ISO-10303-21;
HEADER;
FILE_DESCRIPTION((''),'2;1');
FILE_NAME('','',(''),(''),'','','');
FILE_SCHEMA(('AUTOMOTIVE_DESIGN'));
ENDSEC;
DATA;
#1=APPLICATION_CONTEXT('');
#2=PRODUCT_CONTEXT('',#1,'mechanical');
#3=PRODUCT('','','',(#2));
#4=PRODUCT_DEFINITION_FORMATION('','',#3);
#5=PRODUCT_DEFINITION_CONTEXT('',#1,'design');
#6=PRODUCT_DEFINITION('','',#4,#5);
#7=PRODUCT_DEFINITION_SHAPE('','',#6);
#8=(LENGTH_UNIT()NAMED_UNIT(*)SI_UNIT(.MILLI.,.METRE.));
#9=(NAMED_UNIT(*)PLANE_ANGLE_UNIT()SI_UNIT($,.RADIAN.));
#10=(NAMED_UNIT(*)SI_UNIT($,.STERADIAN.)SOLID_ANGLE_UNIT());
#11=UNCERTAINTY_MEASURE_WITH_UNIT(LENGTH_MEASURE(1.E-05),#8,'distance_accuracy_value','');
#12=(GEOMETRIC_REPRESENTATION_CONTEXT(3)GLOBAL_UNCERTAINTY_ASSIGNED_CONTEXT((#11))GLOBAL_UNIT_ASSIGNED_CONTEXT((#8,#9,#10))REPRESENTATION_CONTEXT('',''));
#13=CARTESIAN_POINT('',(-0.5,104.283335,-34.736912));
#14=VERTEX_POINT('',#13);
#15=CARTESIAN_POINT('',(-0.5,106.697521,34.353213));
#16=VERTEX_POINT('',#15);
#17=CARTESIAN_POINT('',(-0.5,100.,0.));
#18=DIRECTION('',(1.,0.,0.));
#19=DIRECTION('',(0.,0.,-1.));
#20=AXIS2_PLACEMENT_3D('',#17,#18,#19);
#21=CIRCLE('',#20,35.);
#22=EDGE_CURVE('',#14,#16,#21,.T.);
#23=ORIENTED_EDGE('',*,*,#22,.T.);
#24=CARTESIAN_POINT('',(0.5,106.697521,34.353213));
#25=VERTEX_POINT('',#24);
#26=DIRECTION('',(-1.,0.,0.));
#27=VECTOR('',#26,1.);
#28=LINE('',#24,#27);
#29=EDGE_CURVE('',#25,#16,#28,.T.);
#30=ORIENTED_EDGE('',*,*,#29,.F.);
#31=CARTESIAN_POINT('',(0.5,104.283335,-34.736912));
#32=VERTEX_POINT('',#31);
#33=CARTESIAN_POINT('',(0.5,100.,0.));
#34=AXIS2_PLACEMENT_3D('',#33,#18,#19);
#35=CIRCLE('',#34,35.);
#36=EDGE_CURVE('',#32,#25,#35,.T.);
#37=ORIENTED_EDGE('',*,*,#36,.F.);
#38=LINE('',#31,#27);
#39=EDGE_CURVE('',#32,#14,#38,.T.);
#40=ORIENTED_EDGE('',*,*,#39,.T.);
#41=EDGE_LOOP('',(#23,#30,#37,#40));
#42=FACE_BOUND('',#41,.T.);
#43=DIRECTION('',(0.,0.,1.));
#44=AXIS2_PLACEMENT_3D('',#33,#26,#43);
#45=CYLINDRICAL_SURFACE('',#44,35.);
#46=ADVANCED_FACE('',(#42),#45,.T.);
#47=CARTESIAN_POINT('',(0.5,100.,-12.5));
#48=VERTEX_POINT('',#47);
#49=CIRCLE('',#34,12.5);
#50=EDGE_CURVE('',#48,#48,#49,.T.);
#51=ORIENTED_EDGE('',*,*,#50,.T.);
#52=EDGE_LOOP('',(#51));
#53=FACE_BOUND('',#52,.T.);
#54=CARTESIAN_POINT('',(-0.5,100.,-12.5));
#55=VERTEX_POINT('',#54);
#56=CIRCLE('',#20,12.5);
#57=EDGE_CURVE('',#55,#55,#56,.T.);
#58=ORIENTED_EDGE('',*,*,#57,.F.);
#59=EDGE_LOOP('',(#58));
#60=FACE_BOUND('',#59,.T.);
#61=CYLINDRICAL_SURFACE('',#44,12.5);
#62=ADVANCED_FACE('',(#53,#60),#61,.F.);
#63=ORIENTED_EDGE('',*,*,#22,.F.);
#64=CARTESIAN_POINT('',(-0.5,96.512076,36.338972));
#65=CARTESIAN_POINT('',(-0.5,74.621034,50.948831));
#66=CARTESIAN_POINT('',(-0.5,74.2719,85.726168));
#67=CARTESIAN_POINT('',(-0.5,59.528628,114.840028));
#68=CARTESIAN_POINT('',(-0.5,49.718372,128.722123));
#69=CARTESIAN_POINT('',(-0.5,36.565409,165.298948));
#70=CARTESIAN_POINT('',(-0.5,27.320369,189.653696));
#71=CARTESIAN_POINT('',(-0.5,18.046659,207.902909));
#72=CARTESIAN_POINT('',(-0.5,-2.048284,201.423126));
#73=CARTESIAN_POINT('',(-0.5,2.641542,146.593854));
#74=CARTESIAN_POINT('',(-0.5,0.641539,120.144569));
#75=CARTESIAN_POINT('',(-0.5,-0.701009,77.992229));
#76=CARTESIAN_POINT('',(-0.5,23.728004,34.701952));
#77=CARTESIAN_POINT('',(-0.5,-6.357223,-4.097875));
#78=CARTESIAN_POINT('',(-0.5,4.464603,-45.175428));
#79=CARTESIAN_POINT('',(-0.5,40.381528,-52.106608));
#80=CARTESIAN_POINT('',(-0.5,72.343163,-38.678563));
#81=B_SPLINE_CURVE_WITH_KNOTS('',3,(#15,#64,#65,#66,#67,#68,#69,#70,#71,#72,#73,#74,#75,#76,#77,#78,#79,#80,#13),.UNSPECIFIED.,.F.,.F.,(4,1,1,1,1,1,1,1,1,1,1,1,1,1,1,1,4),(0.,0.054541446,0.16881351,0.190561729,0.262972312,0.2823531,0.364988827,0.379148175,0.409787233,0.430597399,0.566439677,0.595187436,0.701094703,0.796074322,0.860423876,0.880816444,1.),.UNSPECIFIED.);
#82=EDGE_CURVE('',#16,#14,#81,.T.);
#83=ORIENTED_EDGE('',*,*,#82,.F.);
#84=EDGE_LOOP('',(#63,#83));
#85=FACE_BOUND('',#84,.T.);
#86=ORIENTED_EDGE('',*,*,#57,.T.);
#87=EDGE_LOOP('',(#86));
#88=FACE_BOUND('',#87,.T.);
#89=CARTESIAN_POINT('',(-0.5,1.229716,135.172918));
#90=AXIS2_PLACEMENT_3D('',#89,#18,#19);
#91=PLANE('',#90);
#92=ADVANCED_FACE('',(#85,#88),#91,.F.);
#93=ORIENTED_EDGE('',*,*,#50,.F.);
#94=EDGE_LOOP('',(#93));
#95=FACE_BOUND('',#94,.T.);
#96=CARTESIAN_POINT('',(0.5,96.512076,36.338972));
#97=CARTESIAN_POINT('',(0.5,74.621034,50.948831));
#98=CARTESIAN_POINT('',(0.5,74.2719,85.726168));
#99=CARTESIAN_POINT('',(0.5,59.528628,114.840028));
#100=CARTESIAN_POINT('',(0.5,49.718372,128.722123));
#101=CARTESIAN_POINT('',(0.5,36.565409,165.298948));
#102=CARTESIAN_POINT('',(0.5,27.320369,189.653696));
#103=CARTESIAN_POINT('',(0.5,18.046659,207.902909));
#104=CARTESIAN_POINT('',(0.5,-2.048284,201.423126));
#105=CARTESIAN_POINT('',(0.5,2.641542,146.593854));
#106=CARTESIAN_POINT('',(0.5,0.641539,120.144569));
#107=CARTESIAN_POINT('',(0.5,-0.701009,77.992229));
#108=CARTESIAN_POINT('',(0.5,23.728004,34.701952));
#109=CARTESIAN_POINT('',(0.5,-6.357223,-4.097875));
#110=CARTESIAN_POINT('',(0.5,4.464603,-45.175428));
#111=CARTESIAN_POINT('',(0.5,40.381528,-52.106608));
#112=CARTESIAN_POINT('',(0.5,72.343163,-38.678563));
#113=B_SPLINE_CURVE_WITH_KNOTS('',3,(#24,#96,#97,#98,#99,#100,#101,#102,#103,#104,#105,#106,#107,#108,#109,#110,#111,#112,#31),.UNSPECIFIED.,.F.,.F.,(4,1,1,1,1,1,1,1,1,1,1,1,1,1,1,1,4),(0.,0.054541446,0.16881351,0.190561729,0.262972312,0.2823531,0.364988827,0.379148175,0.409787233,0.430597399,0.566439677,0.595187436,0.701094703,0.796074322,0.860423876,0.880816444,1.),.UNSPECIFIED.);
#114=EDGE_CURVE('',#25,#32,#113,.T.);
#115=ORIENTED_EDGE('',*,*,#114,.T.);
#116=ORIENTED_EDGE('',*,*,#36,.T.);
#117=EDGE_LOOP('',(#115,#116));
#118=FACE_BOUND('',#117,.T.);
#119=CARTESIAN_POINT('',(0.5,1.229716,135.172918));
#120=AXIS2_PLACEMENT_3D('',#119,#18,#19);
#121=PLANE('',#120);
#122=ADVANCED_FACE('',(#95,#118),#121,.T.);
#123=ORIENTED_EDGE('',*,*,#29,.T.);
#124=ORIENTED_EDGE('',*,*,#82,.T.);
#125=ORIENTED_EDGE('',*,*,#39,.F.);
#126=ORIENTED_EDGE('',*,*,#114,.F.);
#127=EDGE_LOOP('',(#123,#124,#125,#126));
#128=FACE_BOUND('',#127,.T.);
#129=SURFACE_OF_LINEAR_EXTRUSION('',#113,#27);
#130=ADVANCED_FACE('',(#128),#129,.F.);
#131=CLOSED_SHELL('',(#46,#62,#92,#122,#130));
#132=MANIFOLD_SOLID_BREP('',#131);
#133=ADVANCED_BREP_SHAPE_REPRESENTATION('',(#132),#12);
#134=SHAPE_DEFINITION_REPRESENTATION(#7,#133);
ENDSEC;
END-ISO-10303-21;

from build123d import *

# Parameters (mm, degrees)
SKETCH3_R      = 12.5
EXTRUDE1_DEPTH = 0.5


with BuildPart() as part:
    # Sketch3 → Extrude1 (new, symmetric)
    with BuildSketch(Plane(origin=(0, 0, 0), x_dir=(0, 0, -1), z_dir=(1, 0, 0))):
        with BuildLine():
            ThreePointArc((34.73691178, 104.283335151), (1.222243483, 134.978652359), (-34.353212623, 106.697520622))
            add(Edge.make_bspline(
                [(-34.353212623, 106.697520622), (-36.338972358, 96.512075849), (-50.948831396, 74.621034336), (-85.726167749, 74.271899833), (-114.840028166, 59.528628021), (-128.722122798, 49.71837198), (-165.298947788, 36.565409182), (-189.653696471, 27.320369224), (-207.902909488, 18.046659206), (-201.423126117, -2.048283715), (-146.593854224, 2.641541989), (-120.144568988, 0.641539371), (-77.992228934, -0.701008571), (-34.701952194, 23.728004024), (4.097875112, -6.357223424), (45.175428135, 4.464602831), (52.106608396, 40.381527834), (38.678563253, 72.343162646), (34.73691178, 104.283335151)],
                knots=[0, 0, 0, 0, 0.054541446, 0.16881351, 0.190561729, 0.262972312, 0.2823531, 0.364988827, 0.379148175, 0.409787233, 0.430597399, 0.566439677, 0.595187436, 0.701094703, 0.796074322, 0.860423876, 0.880816444, 1, 1, 1, 1], degree=3))
        make_face()
        with Locations((0, 100)):
            Circle(SKETCH3_R, mode=Mode.SUBTRACT)
    extrude(amount=EXTRUDE1_DEPTH, both=True)


solid = part.part
